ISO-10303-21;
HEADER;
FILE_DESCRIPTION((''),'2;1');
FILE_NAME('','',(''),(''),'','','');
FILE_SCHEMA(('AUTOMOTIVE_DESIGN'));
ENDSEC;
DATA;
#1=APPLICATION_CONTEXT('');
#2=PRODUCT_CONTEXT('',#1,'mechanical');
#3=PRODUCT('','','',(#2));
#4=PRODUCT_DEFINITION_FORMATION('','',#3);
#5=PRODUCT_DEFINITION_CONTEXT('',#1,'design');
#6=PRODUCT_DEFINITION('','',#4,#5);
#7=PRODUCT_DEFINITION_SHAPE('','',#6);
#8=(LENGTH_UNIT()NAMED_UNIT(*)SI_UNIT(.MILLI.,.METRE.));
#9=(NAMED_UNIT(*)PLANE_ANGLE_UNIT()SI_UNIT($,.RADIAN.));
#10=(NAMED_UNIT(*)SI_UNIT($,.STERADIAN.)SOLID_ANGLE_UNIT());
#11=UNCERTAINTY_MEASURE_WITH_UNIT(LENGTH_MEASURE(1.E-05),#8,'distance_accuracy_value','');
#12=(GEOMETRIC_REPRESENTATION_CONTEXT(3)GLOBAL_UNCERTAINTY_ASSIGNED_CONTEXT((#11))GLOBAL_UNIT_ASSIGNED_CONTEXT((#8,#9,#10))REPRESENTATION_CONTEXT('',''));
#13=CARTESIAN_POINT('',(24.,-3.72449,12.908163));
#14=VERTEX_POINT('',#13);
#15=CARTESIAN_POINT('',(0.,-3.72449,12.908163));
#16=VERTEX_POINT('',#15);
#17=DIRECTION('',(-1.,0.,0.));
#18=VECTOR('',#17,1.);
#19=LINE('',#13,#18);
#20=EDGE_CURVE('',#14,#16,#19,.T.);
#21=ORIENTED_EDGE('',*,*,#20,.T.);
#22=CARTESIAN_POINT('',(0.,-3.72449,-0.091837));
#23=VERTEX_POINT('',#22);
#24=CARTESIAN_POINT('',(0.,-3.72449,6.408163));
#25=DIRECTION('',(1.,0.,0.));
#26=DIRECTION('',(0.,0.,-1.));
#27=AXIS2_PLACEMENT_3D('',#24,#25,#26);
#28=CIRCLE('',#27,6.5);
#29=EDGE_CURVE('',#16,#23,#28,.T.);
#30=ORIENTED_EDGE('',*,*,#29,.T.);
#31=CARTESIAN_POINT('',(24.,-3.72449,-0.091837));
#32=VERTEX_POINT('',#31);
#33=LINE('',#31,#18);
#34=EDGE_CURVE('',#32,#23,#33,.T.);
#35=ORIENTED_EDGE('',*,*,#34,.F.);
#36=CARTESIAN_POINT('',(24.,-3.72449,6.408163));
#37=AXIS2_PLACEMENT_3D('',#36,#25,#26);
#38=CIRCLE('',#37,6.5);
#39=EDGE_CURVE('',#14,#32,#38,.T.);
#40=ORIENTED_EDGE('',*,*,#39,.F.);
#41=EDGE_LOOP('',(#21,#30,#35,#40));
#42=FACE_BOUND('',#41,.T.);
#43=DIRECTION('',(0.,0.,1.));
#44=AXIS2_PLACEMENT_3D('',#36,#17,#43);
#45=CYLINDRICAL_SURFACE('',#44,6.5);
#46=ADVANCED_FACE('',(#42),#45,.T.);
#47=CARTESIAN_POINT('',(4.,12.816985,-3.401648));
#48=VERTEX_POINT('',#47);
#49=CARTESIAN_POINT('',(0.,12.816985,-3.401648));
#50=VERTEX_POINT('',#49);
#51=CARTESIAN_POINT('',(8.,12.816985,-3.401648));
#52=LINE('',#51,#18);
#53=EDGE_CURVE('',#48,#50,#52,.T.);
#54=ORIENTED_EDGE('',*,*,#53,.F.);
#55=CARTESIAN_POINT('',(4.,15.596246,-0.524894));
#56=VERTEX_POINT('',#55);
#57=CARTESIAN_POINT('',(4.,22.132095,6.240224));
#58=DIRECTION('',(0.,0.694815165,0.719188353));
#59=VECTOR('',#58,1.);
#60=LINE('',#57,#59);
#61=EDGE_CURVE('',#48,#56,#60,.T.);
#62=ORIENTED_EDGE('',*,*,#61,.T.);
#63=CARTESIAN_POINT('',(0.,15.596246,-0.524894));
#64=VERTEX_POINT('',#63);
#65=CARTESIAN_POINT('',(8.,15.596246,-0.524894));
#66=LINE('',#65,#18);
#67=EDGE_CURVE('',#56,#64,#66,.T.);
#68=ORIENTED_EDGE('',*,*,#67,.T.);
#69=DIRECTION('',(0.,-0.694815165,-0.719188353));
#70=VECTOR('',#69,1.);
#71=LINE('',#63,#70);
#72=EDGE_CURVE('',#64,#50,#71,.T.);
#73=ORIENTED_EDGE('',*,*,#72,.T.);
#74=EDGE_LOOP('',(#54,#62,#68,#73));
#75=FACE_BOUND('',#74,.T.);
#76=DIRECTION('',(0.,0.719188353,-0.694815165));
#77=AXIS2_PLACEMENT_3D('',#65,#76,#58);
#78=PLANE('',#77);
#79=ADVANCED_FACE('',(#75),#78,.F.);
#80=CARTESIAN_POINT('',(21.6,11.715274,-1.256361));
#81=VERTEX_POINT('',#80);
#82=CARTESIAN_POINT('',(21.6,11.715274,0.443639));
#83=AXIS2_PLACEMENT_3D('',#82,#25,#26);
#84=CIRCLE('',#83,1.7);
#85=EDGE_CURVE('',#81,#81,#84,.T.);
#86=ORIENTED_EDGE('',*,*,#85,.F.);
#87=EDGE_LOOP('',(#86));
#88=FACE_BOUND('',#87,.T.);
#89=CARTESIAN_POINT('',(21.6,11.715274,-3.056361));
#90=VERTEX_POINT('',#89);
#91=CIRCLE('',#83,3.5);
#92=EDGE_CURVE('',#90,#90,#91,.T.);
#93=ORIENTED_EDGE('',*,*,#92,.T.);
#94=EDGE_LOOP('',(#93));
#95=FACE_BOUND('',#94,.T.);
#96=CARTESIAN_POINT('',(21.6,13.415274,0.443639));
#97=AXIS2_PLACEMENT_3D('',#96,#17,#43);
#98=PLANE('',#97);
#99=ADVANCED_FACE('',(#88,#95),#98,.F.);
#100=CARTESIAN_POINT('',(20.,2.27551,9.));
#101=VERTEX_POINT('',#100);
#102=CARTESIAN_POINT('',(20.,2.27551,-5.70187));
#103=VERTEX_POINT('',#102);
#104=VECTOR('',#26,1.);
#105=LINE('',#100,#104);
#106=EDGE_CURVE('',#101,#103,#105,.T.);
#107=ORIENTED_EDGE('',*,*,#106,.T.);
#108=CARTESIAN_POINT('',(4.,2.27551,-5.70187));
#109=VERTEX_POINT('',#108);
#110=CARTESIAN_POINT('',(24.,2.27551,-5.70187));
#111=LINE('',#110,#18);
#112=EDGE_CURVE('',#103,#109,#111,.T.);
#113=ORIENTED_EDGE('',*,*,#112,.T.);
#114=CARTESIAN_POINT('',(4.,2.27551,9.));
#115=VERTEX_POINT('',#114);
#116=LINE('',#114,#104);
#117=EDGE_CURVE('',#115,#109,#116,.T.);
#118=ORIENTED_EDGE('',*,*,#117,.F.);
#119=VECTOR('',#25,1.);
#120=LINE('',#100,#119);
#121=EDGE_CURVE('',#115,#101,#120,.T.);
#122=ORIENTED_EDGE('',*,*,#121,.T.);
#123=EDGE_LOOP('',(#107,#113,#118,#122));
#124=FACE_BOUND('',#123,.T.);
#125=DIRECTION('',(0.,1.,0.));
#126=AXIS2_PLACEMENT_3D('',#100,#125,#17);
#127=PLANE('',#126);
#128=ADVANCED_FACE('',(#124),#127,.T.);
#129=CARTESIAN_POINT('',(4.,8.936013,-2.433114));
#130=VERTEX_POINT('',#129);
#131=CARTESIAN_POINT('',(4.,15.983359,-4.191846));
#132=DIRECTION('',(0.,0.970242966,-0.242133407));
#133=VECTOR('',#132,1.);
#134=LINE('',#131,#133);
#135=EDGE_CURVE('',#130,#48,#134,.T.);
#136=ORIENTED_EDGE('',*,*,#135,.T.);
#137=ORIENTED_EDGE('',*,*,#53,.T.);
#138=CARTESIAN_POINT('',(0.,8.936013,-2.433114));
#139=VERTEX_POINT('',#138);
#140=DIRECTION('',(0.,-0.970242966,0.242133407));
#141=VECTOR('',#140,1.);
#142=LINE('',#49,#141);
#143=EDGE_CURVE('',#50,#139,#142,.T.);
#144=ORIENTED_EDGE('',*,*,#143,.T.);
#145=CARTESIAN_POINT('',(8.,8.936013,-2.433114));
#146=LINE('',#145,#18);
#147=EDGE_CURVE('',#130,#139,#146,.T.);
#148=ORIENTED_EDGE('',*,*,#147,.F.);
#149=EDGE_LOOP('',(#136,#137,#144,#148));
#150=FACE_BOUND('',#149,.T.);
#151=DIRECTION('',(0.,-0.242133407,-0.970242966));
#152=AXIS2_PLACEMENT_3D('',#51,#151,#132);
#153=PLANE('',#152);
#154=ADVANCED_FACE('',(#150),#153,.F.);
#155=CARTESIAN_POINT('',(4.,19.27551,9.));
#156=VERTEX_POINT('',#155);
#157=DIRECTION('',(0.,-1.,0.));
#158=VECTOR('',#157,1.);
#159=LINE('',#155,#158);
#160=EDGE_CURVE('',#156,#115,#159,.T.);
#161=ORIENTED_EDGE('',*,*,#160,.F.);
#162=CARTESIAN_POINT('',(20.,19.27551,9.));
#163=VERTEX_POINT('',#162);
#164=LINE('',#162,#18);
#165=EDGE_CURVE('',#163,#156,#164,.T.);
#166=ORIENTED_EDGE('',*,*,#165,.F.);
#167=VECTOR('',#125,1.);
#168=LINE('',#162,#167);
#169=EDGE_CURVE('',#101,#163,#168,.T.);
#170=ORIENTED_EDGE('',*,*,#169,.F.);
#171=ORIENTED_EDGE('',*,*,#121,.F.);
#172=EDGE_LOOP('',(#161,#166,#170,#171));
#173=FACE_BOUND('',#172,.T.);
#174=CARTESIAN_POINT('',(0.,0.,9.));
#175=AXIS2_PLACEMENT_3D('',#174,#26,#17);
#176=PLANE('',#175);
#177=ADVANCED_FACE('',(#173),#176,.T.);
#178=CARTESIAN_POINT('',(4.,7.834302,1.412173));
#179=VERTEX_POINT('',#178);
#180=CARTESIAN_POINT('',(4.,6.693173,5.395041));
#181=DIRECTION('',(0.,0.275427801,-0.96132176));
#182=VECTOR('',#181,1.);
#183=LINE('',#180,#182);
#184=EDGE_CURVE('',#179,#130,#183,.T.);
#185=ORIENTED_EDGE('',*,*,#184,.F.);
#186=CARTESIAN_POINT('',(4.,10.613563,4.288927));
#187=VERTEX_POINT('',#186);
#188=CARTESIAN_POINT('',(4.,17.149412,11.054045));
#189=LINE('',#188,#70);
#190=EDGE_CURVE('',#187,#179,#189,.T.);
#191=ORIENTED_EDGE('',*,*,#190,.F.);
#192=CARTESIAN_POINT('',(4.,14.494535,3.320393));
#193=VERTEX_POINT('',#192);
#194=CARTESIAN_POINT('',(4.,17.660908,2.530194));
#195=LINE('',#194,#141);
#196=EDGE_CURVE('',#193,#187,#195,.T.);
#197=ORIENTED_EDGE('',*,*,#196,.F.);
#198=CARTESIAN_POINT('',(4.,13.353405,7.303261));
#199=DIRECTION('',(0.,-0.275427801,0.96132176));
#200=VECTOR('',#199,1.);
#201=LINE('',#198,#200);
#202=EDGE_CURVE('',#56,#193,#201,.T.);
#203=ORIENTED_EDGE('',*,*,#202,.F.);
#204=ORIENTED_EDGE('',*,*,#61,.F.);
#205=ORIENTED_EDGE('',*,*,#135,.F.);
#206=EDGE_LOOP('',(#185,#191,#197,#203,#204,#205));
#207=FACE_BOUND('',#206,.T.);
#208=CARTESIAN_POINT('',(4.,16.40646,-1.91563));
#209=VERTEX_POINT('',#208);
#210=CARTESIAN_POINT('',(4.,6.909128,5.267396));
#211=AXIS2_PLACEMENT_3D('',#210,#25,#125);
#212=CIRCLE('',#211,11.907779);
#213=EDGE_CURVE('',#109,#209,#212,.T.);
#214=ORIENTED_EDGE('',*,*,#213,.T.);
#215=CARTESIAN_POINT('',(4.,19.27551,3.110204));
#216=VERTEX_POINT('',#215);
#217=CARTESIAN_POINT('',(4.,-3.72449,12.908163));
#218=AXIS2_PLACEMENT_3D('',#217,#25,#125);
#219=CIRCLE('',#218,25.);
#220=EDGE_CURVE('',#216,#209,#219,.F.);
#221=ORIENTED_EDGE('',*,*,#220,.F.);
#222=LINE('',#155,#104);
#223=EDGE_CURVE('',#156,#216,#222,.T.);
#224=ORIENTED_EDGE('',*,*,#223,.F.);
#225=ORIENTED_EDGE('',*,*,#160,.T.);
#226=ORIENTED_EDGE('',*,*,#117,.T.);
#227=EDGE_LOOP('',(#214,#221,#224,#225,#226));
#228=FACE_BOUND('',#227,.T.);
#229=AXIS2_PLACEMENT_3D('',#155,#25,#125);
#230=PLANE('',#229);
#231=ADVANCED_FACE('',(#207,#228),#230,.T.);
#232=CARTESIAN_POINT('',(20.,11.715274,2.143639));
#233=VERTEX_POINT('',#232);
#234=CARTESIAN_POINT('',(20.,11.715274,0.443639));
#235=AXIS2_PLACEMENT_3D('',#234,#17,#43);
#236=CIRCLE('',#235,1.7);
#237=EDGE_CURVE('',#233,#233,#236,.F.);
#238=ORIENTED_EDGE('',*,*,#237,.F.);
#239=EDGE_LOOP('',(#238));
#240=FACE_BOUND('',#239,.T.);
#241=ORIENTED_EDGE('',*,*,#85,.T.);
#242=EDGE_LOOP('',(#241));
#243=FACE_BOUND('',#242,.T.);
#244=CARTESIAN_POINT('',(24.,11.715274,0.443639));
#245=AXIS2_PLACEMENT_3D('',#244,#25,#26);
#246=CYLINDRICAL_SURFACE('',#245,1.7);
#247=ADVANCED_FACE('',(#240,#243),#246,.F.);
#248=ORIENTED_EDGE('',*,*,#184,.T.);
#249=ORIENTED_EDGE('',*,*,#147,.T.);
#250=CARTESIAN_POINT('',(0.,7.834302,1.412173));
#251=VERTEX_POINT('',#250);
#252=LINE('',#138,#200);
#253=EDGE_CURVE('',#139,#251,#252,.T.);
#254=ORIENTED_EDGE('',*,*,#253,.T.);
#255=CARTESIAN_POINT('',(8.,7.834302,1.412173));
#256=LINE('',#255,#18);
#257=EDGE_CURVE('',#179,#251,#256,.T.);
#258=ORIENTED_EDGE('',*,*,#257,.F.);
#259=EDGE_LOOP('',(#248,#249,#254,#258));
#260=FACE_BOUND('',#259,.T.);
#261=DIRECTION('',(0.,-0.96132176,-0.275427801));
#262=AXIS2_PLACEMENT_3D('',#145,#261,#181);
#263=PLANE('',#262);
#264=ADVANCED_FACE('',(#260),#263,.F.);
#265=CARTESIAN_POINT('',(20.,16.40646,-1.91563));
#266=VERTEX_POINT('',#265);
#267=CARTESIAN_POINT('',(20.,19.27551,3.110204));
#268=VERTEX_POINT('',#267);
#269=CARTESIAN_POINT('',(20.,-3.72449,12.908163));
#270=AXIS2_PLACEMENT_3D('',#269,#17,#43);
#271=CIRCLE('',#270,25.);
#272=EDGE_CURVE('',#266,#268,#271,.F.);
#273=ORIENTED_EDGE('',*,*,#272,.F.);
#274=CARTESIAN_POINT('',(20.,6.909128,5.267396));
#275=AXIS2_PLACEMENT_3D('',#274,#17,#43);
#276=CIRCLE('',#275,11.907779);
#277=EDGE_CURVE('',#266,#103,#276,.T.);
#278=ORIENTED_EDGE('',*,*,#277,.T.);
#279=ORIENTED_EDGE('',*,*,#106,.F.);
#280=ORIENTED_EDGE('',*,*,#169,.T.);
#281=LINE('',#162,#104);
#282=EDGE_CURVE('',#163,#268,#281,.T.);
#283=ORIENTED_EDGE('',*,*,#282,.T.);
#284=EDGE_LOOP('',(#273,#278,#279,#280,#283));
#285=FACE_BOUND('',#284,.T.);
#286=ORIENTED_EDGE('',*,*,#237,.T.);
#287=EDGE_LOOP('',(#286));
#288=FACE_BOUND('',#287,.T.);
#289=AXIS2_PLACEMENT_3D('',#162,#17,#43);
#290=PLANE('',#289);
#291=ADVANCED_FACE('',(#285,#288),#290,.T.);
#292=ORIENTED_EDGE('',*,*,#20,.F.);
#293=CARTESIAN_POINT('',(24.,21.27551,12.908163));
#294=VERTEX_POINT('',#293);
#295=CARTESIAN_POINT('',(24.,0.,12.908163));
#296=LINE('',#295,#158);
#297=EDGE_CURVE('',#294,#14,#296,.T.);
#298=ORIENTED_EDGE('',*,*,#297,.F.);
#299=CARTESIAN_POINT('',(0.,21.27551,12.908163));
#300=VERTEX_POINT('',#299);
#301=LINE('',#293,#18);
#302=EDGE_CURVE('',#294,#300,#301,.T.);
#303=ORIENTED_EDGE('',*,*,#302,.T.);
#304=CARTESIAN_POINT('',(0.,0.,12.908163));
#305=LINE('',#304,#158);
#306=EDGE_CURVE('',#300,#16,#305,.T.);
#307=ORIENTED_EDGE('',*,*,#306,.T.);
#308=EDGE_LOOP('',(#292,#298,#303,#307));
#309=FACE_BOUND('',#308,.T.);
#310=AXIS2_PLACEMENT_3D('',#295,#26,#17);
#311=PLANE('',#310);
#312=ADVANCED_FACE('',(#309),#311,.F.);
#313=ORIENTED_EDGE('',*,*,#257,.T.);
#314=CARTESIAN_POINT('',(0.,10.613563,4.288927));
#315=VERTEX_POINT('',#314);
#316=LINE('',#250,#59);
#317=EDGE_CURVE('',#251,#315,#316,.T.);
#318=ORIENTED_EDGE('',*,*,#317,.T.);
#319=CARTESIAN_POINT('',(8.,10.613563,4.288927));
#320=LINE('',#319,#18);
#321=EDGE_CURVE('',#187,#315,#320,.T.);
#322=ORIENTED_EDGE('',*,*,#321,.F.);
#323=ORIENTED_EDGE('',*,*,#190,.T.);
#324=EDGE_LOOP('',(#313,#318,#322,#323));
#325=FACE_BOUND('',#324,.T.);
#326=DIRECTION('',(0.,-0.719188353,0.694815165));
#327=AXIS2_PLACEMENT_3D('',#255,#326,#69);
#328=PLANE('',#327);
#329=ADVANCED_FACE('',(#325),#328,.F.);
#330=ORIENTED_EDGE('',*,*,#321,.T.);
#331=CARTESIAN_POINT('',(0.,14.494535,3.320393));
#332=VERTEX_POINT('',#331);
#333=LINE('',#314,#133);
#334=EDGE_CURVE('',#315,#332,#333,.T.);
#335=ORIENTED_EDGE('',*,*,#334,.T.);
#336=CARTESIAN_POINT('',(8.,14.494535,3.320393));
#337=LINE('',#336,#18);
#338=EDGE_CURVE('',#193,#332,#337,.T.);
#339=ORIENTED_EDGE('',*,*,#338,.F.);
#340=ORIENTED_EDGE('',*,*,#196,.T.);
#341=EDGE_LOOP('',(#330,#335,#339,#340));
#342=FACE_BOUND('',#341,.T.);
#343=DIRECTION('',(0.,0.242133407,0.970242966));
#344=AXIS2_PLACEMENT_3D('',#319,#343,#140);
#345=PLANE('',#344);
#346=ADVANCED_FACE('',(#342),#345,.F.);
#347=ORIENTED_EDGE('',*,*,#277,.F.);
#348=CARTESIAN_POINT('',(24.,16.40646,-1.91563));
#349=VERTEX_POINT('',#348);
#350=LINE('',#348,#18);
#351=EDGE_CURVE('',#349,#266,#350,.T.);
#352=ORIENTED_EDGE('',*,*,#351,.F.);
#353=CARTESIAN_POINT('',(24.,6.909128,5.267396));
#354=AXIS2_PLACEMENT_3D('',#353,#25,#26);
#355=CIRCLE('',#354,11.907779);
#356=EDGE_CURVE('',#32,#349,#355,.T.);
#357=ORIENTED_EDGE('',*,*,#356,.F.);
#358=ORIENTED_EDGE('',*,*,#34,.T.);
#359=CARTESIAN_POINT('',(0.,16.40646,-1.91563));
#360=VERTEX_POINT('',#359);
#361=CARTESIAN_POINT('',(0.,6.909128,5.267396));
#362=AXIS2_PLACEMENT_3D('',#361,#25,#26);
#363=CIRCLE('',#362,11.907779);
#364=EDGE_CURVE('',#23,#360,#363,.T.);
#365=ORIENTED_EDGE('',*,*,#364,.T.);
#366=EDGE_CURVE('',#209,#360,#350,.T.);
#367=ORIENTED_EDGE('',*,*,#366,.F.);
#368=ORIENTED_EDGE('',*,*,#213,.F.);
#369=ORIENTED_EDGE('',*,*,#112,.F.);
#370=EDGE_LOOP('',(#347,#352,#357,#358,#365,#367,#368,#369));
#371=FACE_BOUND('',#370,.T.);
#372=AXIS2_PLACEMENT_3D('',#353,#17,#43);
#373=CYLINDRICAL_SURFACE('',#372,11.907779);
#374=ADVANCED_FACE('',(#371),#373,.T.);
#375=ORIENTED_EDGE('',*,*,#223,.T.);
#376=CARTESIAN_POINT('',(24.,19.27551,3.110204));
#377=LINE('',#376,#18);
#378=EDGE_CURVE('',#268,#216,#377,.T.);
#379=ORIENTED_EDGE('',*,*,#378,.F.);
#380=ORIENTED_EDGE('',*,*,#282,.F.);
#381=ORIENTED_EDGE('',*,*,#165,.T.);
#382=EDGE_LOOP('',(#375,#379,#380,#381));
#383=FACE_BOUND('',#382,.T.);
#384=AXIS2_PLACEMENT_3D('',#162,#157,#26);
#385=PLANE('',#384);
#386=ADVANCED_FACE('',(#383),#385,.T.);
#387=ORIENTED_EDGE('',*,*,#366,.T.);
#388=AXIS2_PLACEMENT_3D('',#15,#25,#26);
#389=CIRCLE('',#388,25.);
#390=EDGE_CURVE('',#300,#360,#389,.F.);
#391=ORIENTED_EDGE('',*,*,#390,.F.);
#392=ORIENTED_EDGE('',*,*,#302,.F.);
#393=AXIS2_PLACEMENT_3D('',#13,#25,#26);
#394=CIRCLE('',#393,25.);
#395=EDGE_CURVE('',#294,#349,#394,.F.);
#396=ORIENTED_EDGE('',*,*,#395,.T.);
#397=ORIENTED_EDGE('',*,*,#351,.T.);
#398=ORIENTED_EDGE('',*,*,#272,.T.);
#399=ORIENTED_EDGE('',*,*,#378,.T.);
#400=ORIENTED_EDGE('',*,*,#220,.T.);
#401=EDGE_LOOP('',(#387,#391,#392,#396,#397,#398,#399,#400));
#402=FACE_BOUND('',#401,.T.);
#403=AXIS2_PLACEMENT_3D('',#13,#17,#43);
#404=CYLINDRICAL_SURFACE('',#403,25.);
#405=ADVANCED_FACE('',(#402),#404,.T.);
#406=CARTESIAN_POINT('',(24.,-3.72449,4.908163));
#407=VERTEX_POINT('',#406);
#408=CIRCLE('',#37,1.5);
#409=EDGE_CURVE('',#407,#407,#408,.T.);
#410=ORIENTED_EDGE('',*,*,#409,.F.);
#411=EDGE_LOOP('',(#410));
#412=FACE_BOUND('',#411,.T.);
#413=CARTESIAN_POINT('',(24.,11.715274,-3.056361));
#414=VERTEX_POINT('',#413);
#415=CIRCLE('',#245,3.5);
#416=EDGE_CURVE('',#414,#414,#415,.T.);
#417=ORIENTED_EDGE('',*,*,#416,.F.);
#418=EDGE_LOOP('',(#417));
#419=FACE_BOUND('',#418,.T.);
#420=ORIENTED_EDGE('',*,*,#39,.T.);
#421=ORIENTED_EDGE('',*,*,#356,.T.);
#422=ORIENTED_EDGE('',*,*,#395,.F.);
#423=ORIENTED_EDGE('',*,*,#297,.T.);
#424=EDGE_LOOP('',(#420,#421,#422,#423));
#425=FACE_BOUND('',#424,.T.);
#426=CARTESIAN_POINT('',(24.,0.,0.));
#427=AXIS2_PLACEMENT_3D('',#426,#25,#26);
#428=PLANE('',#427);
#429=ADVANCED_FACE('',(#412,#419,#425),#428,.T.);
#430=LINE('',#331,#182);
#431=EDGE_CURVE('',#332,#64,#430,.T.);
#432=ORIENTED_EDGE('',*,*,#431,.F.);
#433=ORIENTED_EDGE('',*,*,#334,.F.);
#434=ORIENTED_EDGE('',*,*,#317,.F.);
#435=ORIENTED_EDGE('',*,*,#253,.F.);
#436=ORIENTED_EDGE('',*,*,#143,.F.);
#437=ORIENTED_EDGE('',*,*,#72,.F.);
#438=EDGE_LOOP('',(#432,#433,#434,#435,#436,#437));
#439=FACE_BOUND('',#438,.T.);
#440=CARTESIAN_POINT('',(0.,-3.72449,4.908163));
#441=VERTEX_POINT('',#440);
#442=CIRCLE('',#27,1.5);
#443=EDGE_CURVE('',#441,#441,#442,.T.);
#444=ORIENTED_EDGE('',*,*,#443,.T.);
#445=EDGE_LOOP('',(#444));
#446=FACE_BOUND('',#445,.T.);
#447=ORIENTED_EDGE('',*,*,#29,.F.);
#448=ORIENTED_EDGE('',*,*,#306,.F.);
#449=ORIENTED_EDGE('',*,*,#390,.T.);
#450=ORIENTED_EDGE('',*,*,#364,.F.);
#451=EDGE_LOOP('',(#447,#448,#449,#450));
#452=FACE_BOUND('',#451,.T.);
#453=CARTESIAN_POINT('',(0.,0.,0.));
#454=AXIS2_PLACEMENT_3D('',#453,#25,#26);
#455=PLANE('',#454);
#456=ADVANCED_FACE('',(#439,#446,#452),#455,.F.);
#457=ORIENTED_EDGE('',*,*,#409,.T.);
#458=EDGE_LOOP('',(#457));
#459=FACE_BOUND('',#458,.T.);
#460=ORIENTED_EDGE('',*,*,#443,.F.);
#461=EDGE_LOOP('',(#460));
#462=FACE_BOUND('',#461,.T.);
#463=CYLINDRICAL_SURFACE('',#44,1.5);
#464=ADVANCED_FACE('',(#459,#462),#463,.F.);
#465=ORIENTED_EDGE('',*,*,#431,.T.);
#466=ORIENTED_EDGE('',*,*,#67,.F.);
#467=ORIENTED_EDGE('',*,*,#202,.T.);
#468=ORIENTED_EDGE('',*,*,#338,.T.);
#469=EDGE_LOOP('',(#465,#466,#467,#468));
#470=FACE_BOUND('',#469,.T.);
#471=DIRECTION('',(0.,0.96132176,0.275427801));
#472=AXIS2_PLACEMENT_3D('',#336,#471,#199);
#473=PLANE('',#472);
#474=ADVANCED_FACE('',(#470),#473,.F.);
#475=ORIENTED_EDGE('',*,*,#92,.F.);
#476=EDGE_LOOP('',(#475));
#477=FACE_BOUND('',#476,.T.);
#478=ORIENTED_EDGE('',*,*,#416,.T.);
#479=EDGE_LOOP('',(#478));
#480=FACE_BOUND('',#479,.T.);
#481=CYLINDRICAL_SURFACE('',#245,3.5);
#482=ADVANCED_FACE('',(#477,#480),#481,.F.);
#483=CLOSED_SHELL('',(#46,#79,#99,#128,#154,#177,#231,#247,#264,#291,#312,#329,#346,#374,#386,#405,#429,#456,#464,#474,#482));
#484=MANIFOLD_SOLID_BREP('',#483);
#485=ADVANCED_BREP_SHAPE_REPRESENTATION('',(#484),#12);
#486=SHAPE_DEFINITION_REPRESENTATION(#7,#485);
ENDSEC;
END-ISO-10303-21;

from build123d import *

# Parameters (mm, degrees)
SZKIC5_R                                             = 1.5
DODANIE_WYCI_GNI_CIE2_DEPTH                          = 24
POG_BIENIE_WALCOWE_POD_M3_WKR_T_DO_CZ_CI_D           = 3.4
POG_BIENIE_WALCOWE_POD_M3_WKR_T_DO_CZ_CI_CBORE_D     = 7
POG_BIENIE_WALCOWE_POD_M3_WKR_T_DO_CZ_CI_CBORE_DEPTH = 2.4
SZKIC14_W                                            = 16
SZKIC14_H                                            = 17
WYTNIJ_WYCI_GNI_CIE1_DEPTH                           = 9
WYTNIJ_WYCI_GNI_CIE1_DEPTH_BACK                      = 24
WYTNIJ_WYCI_GNI_CIE2_DEPTH                           = 8


with BuildPart() as part:
    # Szkic5 → Dodanie-wyciągnięcie2 (new body)
    with BuildSketch(Plane(origin=(0, 0, 0), x_dir=(0, 0, -1), z_dir=(1, 0, 0))):
        with BuildLine():
            Line((-12.908163265, 21.275510204), (-12.908163265, -3.724489796))
            ThreePointArc((-12.908163265, -3.724489796), (-6.408163265, -10.224489796), (0.091836735, -3.724489796))
            ThreePointArc((0.091836735, -3.724489796), (6.591813696, 5.834724726), (1.9156302, 16.406460189))
            ThreePointArc((1.9156302, 16.406460189), (-5.106681022, 20.027075938), (-12.908163265, 21.275510204))
        make_face()
        with Locations((-6.408163265, -3.724489796)):
            Circle(SZKIC5_R, mode=Mode.SUBTRACT)
    extrude(amount=DODANIE_WYCI_GNI_CIE2_DEPTH)

    # Pogłębienie walcowe pod M3 wkręt do części metalowych z łbem stożkowym ściętym1 (through all)
    with Locations(Plane(origin=(24, 0, 0), x_dir=(0, 0, -1), z_dir=(1, 0, 0))):
        with Locations((-0.443639472, 11.715274148)):
            CounterBoreHole(POG_BIENIE_WALCOWE_POD_M3_WKR_T_DO_CZ_CI_D / 2, POG_BIENIE_WALCOWE_POD_M3_WKR_T_DO_CZ_CI_CBORE_D / 2, POG_BIENIE_WALCOWE_POD_M3_WKR_T_DO_CZ_CI_CBORE_DEPTH)

    # Szkic14 → Wytnij-wyciągnięcie1 (cut, two sides)
    with BuildSketch(Plane.XY) as wytnij_wyci_gni_cie1_sk:
        with Locations((12, 10.775510204)):
            Rectangle(SZKIC14_W, SZKIC14_H)
    extrude(amount=WYTNIJ_WYCI_GNI_CIE1_DEPTH, mode=Mode.SUBTRACT)
    extrude(wytnij_wyci_gni_cie1_sk.sketch, amount=-WYTNIJ_WYCI_GNI_CIE1_DEPTH_BACK, mode=Mode.SUBTRACT)

    # Szkic18 → Wytnij-wyciągnięcie2 (cut)
    with BuildSketch(Plane.ZY):
        Polygon((1.412173102, 7.834302284), (4.288926512, 10.613562944), (3.320392883, 14.494534808), (-0.524894158, 15.596246012), (-3.401647568, 12.816985352), (-2.433113939, 8.936013488), align=None)
    extrude(amount=-WYTNIJ_WYCI_GNI_CIE2_DEPTH, mode=Mode.SUBTRACT)


solid = part.part
